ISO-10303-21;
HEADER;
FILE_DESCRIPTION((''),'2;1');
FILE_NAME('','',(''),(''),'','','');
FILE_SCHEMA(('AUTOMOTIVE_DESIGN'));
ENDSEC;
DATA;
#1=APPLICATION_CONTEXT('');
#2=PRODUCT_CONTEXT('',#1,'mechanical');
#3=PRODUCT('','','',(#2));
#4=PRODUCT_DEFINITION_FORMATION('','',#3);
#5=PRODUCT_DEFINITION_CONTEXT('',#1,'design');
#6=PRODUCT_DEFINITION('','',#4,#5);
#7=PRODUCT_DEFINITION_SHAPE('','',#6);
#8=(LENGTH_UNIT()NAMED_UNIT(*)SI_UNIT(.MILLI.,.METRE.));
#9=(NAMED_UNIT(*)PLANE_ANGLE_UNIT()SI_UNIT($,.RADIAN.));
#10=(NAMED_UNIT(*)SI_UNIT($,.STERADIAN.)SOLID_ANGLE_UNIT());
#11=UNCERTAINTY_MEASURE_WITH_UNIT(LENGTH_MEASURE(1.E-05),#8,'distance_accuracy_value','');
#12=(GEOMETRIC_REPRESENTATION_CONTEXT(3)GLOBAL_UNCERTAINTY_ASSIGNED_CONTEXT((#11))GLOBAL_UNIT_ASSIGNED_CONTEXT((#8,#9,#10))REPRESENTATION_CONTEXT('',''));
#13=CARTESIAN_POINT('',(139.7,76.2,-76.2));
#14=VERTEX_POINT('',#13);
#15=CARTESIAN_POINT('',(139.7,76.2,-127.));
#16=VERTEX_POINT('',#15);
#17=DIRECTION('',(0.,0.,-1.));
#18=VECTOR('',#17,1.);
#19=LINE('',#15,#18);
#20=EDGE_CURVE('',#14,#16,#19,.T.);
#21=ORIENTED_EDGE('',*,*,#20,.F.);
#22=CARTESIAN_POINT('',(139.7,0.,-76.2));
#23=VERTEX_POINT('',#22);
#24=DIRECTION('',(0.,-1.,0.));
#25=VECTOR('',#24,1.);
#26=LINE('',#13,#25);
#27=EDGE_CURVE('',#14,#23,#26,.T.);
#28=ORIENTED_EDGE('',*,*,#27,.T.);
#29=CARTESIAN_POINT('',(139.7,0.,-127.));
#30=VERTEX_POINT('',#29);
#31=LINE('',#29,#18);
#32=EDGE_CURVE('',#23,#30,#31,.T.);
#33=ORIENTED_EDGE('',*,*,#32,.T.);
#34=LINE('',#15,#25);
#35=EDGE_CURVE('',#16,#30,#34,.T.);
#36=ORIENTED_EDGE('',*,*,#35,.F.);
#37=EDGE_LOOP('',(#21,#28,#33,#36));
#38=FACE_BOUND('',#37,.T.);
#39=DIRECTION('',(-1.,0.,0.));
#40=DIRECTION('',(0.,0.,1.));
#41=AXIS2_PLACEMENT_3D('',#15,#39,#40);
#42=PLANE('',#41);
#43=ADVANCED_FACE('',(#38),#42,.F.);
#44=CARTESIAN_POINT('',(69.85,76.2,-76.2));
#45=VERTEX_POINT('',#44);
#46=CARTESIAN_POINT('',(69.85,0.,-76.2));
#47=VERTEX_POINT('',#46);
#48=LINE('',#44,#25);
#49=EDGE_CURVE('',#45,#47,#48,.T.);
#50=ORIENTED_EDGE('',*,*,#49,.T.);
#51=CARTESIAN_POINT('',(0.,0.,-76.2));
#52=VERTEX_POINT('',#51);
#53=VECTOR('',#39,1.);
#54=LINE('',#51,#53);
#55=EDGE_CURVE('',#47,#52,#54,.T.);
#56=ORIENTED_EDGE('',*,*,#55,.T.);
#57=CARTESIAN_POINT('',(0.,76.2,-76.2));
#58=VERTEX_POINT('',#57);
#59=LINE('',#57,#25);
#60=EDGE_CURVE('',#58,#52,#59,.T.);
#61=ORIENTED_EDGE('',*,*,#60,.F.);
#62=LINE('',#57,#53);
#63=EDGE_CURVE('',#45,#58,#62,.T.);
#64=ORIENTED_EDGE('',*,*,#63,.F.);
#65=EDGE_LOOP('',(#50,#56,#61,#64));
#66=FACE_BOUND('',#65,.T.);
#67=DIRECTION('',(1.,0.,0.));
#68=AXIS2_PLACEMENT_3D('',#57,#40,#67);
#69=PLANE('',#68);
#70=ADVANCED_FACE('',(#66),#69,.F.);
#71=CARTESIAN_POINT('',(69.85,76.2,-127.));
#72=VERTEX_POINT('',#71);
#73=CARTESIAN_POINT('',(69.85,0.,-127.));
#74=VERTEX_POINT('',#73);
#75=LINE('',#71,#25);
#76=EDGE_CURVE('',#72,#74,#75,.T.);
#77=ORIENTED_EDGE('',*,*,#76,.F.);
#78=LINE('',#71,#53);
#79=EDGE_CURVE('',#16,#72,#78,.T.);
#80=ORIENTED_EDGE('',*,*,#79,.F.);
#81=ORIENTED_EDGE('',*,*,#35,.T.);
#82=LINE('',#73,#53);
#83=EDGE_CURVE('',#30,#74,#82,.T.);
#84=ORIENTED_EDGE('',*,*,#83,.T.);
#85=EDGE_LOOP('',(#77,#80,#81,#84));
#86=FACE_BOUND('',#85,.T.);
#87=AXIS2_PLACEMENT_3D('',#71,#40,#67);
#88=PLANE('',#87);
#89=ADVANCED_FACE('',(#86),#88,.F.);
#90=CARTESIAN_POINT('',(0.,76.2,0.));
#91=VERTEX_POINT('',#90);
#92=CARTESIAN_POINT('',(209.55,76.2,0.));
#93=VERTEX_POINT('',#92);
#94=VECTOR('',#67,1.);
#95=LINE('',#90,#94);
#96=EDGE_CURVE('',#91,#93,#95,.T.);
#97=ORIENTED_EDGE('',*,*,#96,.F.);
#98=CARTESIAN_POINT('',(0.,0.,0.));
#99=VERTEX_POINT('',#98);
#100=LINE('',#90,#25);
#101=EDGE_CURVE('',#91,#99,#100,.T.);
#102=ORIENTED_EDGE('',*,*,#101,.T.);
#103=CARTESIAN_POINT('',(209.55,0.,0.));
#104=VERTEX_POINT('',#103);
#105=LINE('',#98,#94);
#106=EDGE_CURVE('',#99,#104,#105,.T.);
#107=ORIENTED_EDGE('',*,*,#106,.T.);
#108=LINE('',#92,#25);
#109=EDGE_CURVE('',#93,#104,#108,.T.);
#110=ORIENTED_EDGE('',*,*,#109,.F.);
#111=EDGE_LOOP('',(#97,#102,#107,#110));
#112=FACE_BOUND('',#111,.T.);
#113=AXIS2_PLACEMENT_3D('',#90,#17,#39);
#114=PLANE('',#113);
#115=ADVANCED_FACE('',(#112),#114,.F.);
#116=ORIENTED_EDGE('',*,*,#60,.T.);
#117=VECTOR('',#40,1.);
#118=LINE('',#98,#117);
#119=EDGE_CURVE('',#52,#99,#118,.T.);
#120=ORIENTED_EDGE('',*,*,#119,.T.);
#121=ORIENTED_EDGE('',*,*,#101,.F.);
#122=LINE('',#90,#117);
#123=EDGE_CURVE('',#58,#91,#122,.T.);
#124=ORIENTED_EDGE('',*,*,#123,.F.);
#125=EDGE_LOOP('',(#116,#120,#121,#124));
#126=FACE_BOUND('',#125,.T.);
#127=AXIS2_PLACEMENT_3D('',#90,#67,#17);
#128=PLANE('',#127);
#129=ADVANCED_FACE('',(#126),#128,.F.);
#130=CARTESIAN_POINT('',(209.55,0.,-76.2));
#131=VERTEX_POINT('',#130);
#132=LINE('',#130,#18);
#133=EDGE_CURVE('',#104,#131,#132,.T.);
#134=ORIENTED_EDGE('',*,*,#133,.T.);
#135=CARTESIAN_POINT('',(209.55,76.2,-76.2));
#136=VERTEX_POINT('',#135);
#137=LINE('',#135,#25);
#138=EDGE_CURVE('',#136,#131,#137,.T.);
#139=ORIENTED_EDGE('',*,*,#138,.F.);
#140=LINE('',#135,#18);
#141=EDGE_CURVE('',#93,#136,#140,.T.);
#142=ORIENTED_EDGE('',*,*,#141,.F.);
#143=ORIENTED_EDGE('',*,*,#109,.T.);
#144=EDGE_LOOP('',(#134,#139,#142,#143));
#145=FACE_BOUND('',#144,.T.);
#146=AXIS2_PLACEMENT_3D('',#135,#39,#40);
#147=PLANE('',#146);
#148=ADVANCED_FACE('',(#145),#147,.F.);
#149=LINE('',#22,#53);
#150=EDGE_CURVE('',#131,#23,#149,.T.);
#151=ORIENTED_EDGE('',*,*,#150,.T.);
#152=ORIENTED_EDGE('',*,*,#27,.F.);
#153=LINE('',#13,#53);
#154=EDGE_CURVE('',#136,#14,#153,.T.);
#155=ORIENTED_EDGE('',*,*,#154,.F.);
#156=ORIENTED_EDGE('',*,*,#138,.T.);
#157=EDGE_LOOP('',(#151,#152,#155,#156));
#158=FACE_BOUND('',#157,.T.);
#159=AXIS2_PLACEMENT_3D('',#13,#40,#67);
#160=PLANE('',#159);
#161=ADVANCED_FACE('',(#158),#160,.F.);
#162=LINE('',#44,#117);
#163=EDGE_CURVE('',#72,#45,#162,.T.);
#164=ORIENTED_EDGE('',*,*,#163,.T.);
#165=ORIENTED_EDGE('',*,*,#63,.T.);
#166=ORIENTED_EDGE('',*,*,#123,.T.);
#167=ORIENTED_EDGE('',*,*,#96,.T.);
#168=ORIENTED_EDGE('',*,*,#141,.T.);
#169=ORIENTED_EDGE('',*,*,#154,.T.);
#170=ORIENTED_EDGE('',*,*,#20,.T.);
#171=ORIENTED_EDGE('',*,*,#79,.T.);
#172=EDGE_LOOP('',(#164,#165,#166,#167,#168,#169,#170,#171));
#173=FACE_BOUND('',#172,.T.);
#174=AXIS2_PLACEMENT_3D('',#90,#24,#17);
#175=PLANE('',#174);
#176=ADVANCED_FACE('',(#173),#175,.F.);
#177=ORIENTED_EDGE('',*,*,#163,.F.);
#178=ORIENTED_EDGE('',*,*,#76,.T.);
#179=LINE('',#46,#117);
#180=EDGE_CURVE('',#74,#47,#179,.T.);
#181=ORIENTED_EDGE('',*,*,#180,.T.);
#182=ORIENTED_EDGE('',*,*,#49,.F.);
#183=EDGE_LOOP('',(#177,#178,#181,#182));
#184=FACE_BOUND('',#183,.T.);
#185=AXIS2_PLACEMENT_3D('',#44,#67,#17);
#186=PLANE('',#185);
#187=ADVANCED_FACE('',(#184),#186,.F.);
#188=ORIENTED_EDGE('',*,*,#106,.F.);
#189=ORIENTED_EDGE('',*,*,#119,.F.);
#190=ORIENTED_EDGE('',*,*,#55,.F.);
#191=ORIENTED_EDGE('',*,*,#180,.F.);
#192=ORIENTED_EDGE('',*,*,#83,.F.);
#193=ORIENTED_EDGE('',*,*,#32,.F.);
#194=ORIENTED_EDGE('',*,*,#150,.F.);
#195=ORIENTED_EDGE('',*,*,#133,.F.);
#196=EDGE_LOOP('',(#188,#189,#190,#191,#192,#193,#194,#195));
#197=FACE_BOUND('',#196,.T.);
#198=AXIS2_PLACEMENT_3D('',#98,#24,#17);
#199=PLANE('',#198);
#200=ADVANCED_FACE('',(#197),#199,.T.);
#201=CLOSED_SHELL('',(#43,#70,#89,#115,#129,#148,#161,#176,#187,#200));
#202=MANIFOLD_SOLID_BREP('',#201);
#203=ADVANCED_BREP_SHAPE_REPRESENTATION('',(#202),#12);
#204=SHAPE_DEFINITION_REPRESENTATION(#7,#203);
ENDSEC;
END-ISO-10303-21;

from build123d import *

# Parameters (mm, degrees)
BOSS_EXTRUDE1_DEPTH = 76.2


with BuildPart() as part:
    # Sketch1 → Boss-Extrude1 (new body)
    with BuildSketch(Plane(origin=(0, 0, 0), x_dir=(1, 0, 0), z_dir=(0, 1, 0))):
        Polygon((0, 0), (209.55, 0), (209.55, 76.2), (139.7, 76.2), (139.7, 127), (69.85, 127), (69.85, 76.2), (0, 76.2), align=None)
    extrude(amount=BOSS_EXTRUDE1_DEPTH)


solid = part.part
